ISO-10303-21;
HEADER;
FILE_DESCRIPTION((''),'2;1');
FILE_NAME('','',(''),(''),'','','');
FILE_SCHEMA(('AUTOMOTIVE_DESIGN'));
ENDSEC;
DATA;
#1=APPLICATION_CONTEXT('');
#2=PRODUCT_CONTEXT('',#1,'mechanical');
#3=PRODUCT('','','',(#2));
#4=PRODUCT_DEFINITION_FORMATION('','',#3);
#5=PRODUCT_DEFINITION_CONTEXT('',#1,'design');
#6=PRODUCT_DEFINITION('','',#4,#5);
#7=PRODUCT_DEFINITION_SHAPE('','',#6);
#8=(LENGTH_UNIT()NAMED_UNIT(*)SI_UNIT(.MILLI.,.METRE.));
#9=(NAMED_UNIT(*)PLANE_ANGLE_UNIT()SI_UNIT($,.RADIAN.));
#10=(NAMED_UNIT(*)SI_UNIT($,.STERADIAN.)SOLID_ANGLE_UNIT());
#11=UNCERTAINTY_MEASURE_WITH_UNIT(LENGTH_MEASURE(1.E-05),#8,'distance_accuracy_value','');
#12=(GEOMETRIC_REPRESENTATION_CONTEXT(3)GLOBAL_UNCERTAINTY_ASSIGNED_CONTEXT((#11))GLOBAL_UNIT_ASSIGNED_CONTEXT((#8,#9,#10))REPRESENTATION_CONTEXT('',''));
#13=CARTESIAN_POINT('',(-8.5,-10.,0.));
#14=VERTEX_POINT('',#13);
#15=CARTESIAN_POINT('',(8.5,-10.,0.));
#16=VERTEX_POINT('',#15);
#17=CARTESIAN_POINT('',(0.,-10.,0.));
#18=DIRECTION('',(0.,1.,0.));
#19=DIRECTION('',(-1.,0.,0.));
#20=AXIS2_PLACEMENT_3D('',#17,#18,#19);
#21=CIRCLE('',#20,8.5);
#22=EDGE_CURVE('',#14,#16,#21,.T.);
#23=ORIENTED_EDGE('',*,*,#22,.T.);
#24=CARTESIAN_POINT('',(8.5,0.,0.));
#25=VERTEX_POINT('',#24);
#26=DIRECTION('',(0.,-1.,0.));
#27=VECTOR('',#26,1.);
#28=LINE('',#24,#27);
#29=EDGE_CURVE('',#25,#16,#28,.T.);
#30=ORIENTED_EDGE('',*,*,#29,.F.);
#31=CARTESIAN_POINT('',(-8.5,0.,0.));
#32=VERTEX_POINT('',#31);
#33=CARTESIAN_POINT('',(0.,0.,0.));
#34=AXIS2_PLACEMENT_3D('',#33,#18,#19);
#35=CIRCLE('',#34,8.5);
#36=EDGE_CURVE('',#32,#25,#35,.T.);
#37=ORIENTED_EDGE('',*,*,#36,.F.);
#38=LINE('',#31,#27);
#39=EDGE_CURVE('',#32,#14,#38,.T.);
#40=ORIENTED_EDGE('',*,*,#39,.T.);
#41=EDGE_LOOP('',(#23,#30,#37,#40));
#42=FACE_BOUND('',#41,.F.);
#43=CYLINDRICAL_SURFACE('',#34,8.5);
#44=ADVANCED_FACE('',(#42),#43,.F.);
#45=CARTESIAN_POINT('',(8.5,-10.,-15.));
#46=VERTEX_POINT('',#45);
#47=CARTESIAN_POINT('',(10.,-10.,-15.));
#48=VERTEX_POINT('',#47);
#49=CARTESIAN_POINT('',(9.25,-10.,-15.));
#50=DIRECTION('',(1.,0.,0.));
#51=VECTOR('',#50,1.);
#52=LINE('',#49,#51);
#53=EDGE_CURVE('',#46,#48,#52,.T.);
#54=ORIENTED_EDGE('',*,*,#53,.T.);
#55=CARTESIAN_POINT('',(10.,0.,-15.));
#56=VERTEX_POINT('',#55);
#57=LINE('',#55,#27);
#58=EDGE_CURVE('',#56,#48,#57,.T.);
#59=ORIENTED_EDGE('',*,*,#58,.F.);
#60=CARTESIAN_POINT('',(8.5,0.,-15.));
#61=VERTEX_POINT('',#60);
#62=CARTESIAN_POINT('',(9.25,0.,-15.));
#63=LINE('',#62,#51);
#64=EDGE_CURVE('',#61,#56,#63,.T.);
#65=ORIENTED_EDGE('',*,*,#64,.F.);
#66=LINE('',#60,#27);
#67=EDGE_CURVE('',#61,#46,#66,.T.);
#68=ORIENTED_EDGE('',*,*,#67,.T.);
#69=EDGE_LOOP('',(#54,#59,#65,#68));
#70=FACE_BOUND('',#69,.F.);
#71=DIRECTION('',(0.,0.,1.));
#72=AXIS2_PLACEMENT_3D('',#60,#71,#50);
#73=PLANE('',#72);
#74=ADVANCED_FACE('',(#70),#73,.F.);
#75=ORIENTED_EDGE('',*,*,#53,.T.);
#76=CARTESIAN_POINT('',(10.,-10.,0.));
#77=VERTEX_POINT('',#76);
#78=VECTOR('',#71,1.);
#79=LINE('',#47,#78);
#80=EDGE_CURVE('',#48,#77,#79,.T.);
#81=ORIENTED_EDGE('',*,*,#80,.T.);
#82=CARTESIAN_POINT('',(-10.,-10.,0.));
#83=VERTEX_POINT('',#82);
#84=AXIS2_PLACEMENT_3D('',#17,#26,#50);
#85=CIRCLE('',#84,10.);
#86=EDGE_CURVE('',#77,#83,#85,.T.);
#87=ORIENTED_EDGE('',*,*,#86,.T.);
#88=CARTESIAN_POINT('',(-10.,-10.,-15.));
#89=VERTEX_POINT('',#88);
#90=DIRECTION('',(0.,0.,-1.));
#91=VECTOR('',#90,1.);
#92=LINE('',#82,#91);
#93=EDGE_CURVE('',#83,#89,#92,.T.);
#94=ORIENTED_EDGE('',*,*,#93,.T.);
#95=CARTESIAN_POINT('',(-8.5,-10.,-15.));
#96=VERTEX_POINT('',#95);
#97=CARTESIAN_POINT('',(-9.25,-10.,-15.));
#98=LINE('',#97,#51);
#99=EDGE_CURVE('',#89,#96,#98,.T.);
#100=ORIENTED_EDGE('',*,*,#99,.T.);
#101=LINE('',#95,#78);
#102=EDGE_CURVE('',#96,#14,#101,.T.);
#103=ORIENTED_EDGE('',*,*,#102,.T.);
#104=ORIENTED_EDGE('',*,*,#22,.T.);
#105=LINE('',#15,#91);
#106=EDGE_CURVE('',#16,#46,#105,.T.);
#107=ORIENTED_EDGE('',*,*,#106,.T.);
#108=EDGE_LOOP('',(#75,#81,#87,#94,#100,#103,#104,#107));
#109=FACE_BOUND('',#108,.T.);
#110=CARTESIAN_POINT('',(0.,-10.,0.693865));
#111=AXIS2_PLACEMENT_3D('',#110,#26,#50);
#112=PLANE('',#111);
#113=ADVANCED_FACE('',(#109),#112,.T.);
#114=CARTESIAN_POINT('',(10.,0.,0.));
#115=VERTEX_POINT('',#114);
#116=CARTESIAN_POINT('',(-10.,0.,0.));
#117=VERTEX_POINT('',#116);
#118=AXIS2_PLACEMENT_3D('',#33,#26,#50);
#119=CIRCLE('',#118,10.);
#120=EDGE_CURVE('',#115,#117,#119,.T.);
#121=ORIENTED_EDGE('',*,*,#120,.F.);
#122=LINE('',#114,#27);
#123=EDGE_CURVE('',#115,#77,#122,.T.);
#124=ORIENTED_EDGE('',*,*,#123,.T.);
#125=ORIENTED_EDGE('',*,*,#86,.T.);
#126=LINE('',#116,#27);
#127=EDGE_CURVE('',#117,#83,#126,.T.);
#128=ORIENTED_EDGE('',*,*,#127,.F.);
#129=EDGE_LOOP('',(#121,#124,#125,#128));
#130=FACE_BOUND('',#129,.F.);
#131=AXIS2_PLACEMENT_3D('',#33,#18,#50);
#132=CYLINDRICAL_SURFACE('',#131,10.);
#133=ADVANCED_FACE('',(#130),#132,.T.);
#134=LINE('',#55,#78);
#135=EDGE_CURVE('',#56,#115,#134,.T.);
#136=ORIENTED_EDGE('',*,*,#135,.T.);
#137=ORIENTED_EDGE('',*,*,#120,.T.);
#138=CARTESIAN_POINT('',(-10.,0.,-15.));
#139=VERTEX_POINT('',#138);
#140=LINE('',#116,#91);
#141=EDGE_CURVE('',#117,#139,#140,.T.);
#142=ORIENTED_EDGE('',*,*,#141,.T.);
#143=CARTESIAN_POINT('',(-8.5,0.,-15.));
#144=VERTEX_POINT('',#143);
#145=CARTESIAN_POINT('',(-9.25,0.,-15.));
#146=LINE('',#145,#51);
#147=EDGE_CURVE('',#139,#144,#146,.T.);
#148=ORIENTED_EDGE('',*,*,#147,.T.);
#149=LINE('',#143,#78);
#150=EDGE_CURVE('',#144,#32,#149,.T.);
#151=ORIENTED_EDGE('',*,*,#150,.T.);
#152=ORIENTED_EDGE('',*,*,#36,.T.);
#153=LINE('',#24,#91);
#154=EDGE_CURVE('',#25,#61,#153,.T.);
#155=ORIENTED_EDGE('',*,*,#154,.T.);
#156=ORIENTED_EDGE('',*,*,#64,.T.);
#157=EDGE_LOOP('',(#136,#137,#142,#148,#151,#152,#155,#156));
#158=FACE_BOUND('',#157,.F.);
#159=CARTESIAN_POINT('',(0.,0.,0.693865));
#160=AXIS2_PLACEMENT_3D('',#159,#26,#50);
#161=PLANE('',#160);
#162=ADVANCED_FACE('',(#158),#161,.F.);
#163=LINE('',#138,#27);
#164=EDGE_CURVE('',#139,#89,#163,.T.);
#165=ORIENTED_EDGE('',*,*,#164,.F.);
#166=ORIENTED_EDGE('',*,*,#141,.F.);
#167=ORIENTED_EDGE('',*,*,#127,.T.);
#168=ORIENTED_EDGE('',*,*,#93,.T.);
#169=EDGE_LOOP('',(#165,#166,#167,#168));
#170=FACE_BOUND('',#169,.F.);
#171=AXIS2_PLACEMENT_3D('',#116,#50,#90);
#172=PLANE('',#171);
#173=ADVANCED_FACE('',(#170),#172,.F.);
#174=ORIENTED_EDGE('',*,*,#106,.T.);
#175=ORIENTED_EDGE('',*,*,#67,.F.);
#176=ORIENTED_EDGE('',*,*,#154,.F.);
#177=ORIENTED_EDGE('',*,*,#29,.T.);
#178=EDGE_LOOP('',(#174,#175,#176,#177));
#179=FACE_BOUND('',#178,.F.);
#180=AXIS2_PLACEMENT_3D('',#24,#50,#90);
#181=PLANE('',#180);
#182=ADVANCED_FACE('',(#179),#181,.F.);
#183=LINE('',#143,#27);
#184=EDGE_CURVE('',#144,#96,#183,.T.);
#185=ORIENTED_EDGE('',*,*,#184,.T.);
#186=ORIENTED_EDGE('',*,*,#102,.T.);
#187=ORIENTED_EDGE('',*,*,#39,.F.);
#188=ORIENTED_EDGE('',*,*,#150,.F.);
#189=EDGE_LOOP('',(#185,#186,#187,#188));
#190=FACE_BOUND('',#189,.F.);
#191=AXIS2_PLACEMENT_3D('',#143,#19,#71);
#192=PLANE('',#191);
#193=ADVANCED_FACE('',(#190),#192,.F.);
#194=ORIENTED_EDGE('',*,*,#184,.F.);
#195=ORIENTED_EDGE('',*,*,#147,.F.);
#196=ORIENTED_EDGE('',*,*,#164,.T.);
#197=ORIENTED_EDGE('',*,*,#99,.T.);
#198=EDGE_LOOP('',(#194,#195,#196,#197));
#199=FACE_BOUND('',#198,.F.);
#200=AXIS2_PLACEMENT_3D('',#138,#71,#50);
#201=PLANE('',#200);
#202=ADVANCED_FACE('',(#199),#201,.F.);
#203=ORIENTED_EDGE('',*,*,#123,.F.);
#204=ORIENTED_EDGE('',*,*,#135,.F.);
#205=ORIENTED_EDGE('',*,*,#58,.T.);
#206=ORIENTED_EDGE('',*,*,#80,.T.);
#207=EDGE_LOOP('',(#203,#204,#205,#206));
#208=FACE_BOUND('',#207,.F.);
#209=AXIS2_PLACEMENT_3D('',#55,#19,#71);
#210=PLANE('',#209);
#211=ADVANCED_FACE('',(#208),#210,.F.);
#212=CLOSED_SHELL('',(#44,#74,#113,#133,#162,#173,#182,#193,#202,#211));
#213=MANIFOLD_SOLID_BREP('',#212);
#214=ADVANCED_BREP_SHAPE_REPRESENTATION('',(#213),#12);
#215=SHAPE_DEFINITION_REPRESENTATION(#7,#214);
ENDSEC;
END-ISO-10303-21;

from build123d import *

# Parameters (mm, degrees)
F0_W     = 1.5
F0_H     = 5
F1_DEPTH = 10


with BuildPart() as f1:
    # F0 (on Front) → F1 (new body)
    with BuildSketch(Plane.XZ):
        with BuildLine():
            Line((10, -10), (10, 0))
            ThreePointArc((10, 0), (0, 10), (-10, 0))
            Line((-10, 0), (-10, -10))
            Line((-10, -10), (-8.5, -10))
            Line((-8.5, -10), (-8.5, 0))
            ThreePointArc((-8.5, 0), (0, 8.5), (8.5, 0))
            Line((8.5, 0), (8.5, -10))
            Line((8.5, -10), (10, -10))
        make_face()
        with Locations((9.25, -12.5)):
            Rectangle(F0_W, F0_H)
        with Locations((-9.25, -12.5)):
            Rectangle(F0_W, F0_H)
    extrude(amount=F1_DEPTH)


solid = f1.part
